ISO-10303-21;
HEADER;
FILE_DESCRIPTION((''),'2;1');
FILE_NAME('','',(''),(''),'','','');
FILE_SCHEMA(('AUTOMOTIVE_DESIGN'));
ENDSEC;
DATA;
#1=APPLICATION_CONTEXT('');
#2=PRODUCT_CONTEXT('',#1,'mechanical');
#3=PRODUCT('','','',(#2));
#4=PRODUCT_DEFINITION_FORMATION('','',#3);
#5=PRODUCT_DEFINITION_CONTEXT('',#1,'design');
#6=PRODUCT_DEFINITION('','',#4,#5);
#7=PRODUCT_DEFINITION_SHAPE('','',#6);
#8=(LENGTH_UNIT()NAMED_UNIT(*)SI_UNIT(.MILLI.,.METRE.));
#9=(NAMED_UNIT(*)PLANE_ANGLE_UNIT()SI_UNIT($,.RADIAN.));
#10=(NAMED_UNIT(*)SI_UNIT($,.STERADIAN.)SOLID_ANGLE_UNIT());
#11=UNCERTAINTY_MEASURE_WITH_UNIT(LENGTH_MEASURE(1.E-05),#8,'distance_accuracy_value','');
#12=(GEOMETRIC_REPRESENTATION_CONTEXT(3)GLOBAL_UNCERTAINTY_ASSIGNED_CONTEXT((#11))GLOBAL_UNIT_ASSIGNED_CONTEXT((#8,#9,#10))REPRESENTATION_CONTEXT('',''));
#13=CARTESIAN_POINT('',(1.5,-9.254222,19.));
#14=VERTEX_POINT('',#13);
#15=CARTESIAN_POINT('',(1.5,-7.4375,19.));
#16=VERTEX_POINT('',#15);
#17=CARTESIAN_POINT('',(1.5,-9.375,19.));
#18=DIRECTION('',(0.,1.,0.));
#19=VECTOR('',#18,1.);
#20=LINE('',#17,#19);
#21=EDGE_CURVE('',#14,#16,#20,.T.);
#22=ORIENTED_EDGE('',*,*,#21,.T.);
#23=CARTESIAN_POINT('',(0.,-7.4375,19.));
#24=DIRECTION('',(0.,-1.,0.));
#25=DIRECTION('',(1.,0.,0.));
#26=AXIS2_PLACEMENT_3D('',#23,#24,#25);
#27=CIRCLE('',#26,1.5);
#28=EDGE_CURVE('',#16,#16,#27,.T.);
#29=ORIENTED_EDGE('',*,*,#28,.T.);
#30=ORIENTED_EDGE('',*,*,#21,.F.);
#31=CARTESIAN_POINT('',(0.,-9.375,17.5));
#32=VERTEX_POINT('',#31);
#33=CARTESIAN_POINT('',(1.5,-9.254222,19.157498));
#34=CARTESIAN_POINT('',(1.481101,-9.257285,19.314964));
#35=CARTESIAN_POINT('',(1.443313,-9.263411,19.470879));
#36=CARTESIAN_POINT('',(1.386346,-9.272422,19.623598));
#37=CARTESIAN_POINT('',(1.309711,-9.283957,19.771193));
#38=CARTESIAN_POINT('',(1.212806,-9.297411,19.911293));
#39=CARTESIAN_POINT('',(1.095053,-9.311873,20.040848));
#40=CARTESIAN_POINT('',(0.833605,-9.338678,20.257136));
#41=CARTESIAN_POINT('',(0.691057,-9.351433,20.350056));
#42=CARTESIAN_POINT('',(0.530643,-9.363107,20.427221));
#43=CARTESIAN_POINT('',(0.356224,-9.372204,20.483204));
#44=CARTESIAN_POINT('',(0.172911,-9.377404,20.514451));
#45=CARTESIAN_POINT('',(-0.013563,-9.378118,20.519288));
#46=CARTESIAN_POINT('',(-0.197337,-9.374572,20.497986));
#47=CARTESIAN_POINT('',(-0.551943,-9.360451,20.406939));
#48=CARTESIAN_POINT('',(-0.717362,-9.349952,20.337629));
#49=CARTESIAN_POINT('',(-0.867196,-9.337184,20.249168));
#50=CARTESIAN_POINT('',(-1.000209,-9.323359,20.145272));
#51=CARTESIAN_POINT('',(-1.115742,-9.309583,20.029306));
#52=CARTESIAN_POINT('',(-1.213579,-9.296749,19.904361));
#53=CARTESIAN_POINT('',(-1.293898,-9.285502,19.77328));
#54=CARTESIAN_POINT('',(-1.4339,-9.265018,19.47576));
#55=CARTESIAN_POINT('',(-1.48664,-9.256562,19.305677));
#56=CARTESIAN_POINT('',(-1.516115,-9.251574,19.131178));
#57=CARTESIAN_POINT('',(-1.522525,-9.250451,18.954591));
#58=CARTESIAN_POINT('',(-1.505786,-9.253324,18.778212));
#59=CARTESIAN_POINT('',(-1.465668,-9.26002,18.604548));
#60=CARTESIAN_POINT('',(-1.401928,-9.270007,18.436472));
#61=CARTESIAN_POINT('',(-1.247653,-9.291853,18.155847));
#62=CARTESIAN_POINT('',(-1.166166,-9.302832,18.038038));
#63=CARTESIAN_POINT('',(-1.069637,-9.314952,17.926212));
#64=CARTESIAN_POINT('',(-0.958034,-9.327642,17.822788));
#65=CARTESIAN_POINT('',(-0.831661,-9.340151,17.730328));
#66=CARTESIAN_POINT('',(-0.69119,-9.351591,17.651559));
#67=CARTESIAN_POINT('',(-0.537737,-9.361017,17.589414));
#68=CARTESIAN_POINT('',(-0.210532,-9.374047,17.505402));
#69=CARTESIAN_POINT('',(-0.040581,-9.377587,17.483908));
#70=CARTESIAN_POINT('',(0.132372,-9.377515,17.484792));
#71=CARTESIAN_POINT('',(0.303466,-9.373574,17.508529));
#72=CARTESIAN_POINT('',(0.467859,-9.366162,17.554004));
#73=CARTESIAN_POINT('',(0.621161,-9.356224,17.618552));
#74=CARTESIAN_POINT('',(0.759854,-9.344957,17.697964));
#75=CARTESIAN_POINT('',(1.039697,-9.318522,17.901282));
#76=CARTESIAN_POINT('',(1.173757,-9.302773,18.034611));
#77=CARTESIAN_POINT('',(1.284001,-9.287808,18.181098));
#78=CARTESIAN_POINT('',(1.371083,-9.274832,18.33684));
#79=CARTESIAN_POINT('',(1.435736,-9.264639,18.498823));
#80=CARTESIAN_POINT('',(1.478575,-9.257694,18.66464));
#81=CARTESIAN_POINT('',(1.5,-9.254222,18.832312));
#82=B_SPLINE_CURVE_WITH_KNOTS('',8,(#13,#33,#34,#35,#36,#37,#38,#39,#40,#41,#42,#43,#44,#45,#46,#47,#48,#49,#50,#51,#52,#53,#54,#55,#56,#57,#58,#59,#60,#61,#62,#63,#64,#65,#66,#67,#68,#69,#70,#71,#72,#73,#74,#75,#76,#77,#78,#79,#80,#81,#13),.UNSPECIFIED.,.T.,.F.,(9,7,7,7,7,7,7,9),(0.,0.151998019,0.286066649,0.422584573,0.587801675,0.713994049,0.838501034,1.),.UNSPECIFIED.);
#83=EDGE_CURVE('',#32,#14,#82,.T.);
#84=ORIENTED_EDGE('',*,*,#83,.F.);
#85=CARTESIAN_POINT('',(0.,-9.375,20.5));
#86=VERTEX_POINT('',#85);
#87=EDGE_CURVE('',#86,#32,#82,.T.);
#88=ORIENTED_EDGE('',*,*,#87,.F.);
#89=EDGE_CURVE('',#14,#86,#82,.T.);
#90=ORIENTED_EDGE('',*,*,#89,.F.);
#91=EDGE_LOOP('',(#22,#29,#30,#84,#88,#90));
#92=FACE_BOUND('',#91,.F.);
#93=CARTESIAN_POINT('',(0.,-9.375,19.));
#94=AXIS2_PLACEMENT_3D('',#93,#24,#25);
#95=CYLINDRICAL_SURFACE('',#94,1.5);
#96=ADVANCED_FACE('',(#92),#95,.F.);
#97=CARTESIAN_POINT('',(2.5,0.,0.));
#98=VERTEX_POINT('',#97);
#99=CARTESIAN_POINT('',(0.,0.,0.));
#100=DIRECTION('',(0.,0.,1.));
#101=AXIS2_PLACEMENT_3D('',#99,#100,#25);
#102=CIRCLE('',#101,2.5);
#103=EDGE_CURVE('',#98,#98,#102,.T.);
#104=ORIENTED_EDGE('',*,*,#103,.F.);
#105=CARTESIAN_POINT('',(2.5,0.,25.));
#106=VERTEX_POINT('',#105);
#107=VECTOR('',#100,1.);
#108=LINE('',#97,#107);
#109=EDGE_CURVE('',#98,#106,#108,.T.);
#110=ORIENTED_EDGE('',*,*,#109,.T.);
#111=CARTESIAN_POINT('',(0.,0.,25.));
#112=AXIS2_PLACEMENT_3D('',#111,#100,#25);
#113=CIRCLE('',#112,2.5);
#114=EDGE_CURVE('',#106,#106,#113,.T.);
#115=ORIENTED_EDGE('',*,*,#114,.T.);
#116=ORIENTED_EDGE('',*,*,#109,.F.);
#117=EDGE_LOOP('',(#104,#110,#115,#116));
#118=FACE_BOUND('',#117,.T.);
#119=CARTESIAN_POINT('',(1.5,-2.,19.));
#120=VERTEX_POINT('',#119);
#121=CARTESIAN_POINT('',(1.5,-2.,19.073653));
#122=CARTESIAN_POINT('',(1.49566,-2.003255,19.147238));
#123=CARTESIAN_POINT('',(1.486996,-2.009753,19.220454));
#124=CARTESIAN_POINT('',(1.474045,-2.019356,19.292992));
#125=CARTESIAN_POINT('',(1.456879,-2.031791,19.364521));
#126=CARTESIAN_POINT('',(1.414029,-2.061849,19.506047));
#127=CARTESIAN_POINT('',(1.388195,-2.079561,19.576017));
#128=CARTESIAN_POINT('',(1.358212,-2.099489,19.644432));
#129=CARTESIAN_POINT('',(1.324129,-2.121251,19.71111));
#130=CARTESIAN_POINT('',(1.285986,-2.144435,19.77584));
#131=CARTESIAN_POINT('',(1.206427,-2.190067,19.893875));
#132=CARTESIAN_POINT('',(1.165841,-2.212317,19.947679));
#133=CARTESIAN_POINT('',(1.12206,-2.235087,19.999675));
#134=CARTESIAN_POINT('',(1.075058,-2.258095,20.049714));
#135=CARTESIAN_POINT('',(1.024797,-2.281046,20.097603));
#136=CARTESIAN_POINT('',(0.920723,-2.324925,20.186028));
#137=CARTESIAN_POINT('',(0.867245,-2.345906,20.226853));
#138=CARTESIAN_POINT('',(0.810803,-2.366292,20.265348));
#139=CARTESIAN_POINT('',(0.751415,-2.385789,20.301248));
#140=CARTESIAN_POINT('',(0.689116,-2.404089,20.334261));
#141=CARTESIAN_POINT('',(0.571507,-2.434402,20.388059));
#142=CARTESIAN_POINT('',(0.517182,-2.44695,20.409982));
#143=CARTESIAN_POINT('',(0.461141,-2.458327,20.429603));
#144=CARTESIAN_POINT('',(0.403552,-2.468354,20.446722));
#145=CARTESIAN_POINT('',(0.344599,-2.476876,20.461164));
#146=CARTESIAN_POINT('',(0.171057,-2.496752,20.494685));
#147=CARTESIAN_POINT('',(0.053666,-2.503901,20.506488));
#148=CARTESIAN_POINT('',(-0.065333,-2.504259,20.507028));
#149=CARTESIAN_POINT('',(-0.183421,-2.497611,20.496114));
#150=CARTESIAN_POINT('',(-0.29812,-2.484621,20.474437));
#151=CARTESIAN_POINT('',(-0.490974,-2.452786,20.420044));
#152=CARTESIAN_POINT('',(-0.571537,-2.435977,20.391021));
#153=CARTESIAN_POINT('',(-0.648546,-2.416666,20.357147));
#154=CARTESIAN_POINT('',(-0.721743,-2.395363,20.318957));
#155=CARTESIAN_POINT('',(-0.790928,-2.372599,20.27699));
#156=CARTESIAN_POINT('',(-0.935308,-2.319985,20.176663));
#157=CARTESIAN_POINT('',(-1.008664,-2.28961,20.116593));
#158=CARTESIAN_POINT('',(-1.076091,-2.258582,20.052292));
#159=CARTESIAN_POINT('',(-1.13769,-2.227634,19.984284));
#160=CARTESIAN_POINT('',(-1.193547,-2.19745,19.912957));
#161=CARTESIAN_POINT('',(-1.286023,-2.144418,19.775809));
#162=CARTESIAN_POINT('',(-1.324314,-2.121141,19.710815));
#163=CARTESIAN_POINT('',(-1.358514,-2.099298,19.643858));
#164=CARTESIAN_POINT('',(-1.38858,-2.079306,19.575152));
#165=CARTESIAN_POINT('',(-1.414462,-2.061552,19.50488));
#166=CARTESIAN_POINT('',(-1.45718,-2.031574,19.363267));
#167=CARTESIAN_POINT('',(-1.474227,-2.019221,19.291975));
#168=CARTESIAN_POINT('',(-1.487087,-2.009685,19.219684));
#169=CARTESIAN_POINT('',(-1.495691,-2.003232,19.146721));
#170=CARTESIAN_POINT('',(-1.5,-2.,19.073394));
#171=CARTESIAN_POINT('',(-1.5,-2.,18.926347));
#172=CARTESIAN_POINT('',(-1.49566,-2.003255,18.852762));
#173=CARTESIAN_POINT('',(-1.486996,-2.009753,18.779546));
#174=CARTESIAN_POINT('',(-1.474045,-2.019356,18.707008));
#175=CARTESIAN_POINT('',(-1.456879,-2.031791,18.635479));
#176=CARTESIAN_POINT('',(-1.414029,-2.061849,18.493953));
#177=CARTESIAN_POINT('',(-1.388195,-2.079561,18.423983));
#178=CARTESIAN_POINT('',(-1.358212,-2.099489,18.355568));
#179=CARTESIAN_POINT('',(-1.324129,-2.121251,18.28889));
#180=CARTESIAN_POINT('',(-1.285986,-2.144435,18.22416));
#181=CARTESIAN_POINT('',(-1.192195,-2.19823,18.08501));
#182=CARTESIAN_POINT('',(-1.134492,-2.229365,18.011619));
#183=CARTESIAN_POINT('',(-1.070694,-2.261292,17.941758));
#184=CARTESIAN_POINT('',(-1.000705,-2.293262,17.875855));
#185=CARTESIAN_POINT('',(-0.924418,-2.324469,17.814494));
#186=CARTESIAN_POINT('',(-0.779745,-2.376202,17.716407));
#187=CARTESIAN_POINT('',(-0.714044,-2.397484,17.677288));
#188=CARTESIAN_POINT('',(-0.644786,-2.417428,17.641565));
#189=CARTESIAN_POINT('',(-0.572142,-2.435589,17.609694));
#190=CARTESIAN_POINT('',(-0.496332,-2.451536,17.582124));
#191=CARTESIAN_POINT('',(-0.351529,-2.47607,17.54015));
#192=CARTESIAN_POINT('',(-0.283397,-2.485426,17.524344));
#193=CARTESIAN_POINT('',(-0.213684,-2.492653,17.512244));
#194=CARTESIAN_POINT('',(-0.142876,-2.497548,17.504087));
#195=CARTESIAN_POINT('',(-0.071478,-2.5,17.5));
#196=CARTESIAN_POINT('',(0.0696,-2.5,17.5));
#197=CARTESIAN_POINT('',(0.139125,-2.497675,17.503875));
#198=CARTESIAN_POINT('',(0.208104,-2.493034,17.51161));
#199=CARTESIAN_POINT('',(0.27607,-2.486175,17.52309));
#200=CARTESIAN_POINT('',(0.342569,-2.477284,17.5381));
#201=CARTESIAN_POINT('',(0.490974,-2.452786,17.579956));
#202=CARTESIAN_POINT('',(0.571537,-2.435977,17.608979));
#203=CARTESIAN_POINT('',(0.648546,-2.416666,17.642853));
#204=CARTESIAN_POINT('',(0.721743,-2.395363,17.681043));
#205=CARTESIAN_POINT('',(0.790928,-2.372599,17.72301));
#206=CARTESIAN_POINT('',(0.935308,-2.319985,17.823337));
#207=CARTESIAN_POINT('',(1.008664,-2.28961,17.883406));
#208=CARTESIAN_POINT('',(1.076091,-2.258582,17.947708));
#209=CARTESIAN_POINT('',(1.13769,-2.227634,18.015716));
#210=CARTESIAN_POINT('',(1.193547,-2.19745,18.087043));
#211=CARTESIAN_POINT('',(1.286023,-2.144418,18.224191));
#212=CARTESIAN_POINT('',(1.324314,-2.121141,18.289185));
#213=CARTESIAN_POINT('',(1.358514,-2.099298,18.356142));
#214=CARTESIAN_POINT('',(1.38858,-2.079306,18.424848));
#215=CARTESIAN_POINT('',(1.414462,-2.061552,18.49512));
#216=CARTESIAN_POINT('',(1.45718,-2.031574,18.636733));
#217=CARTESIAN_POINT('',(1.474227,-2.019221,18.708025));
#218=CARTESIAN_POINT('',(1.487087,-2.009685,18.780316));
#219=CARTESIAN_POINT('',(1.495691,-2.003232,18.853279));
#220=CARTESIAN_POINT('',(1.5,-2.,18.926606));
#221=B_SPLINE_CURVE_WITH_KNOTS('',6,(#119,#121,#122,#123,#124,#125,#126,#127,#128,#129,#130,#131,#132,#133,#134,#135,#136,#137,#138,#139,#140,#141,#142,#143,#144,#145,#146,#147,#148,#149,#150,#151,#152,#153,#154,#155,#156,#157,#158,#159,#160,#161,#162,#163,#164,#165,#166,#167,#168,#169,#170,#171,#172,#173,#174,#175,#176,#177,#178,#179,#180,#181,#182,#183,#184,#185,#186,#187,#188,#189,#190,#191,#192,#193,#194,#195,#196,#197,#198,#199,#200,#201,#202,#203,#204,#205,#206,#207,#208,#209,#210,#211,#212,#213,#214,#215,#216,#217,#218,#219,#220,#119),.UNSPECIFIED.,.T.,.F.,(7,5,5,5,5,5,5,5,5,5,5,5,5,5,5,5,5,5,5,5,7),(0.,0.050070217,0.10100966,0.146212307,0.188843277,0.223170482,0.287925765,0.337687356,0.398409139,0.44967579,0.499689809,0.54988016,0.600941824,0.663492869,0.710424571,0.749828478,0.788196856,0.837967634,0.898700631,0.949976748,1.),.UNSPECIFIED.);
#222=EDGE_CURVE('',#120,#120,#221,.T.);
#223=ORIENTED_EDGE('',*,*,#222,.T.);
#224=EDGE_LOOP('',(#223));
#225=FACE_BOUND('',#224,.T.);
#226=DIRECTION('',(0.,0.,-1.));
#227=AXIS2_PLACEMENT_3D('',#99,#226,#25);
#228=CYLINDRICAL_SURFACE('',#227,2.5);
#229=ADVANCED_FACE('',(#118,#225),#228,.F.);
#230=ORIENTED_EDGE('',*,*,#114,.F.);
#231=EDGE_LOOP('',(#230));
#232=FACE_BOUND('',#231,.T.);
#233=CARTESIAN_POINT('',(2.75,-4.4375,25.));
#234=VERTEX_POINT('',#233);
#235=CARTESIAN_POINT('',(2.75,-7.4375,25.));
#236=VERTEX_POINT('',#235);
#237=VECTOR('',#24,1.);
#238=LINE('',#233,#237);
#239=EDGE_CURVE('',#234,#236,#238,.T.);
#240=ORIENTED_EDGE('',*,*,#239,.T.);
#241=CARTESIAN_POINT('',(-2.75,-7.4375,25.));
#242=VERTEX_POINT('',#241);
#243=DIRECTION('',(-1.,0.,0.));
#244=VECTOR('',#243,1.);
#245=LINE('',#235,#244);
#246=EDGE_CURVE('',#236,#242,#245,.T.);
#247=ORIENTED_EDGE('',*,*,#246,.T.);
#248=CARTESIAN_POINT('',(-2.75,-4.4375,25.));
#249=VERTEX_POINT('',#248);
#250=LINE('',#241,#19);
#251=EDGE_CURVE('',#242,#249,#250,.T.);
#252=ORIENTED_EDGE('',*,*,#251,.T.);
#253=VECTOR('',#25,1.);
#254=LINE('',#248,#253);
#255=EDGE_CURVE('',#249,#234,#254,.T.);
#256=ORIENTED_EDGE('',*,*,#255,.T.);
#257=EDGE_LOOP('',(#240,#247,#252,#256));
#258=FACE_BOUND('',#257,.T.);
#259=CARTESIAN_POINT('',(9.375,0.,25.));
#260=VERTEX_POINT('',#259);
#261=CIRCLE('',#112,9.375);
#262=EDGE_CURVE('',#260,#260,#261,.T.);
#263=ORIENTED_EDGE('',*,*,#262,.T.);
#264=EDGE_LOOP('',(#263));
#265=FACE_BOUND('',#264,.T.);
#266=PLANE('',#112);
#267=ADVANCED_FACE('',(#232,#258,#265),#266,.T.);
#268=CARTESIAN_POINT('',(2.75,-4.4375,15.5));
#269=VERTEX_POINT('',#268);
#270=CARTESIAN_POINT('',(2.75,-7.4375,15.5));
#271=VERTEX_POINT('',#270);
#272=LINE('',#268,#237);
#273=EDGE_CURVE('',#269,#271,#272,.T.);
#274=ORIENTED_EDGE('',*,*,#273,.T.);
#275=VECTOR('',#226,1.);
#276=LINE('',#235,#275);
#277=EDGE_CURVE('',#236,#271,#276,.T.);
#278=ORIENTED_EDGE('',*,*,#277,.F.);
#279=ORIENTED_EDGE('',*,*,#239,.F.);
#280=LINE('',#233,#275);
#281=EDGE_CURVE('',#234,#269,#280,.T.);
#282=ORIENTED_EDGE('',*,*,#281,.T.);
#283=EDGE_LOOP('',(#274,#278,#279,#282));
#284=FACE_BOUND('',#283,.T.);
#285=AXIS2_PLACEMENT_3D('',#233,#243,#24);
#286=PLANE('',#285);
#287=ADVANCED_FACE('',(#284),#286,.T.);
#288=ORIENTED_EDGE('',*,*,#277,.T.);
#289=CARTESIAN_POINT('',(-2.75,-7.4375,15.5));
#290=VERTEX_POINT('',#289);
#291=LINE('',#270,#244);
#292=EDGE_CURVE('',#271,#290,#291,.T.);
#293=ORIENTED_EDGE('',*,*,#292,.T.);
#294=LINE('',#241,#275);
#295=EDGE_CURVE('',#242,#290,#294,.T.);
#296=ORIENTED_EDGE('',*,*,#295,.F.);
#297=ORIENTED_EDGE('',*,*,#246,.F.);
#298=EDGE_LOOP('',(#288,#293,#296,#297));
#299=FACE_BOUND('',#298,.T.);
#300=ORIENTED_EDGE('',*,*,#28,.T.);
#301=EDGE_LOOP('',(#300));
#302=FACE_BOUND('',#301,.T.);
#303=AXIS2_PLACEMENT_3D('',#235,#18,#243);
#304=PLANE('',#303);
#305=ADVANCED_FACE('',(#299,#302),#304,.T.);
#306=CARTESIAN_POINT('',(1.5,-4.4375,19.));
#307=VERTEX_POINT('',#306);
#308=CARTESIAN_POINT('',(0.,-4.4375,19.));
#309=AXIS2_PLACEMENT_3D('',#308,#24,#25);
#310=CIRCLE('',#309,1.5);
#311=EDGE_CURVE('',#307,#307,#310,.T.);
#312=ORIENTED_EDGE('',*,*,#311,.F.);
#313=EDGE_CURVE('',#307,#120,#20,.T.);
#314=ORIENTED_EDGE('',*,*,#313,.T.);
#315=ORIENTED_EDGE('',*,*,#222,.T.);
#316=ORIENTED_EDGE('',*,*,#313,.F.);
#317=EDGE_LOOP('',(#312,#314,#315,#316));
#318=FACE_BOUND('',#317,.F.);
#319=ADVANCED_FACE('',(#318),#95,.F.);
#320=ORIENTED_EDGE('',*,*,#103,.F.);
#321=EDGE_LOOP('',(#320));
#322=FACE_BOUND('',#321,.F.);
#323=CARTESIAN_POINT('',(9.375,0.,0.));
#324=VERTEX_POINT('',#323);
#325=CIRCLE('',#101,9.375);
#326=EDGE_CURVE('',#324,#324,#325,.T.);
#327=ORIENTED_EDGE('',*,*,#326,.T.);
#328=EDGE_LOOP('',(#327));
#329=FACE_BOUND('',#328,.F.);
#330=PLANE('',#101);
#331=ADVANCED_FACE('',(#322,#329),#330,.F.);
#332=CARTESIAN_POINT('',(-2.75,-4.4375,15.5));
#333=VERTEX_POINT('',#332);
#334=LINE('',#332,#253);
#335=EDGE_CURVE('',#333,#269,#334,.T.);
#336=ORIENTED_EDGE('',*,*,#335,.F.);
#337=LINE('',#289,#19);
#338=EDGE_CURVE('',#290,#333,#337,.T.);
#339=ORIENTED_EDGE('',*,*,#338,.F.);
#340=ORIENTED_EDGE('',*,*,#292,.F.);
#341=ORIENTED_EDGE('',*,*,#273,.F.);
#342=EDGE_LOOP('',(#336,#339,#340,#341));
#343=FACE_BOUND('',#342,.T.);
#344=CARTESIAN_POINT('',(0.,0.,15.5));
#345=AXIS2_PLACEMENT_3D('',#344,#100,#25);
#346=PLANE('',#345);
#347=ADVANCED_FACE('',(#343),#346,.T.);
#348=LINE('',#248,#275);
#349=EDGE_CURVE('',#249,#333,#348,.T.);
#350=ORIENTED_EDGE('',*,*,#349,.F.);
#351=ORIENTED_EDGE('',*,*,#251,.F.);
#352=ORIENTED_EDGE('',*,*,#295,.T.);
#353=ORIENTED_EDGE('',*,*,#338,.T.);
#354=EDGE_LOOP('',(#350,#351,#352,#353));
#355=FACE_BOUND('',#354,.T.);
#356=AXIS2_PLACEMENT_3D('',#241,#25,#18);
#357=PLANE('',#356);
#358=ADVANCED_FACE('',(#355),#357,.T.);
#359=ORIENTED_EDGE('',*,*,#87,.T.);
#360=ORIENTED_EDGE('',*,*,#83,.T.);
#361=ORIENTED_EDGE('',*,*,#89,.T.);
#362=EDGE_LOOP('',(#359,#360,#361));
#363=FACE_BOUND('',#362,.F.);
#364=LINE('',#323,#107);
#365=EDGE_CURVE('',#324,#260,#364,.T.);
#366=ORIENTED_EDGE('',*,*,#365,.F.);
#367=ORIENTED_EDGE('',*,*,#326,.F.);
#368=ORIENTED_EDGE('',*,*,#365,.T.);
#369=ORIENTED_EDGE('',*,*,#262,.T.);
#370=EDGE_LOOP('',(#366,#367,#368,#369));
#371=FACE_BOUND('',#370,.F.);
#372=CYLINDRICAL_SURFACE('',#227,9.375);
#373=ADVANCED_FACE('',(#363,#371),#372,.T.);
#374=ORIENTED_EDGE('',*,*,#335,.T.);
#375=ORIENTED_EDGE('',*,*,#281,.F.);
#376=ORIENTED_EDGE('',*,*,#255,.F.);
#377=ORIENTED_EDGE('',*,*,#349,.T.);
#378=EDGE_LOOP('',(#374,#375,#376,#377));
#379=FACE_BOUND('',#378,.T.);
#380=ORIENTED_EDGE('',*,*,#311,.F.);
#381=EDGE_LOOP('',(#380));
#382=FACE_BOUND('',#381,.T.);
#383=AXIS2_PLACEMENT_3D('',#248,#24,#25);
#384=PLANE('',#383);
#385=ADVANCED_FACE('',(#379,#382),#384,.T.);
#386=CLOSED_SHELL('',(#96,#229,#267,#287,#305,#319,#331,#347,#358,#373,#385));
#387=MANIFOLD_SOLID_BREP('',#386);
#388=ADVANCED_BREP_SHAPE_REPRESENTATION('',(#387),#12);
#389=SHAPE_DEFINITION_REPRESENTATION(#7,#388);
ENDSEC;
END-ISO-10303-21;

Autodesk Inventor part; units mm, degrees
ref_plane "YZ Plane" through (0, 0, 0) normal (1, 0, 0) x (0, 1, 0)
ref_plane "XZ Plane" through (0, 0, 0) normal (0, 1, 0) x (-1, 0, 0)
sketch "Sketch1" plane through (0, 0, 0) normal (0, 0, 1) x (1, 0, 0)
  circle A0 centre (0, 0) radius 9.375
  circle A1 centre (0, 0) radius 2.5
  dimension "d0" = 18.75
  dimension "d1" = 5
extrude "Extrusion1" add sketch "Sketch1" along normal blind 25
sketch "Point of Tangency + Nut" plane through (0, 0, 25) normal (0, 0, 1) x (1, 0, 0)
  circle A0 centre (0, 0) radius 9.375 projected
  line L0 (0, -9.375) -> (0, -2.5) construction
  circle A1 centre (0, 0) radius 2.5 construction
  line L1 (2.75, -7.4375) -> (-2.75, -7.4375)
  line L2 (-2.75, -7.4375) -> (-2.75, -4.4375)
  line L3 (-2.75, -4.4375) -> (2.75, -4.4375)
  line L4 (2.75, -4.4375) -> (2.75, -7.4375)
  line L5 (2.75, -7.4375) -> (-2.75, -4.4375) construction
  line L6 (-2.75, -7.4375) -> (2.75, -4.4375) construction
  point P0 (0, -5.9375)
  dimension "d8" = 5.5
  dimension "d9" = 3
ref_plane "Work Plane1" through (0, -9.375, 25) normal (0, -1, 0) x (1, 0, 0)
sketch "Sketch3" plane through (0, -9.375, 25) normal (0, -1, 0) x (1, 0, 0)
  line L0 (9.375, 0) -> (-9.375, 0) construction
  line L1 (0, 0) -> (0, -6) construction
  circle A0 centre (0, -6) radius 1.5
  point P0 (0, -25)
  dimension "d4" = 6
  dimension "d5" = 3
extrude "LocBolt" cut sketch "Sketch3" against normal blind 8
extrude "LocNut Gap" cut sketch "Point of Tangency + Nut" against normal blind 9.5 contours L1 L2 L3 L4
properties part number "MotorTripodCoupler"
